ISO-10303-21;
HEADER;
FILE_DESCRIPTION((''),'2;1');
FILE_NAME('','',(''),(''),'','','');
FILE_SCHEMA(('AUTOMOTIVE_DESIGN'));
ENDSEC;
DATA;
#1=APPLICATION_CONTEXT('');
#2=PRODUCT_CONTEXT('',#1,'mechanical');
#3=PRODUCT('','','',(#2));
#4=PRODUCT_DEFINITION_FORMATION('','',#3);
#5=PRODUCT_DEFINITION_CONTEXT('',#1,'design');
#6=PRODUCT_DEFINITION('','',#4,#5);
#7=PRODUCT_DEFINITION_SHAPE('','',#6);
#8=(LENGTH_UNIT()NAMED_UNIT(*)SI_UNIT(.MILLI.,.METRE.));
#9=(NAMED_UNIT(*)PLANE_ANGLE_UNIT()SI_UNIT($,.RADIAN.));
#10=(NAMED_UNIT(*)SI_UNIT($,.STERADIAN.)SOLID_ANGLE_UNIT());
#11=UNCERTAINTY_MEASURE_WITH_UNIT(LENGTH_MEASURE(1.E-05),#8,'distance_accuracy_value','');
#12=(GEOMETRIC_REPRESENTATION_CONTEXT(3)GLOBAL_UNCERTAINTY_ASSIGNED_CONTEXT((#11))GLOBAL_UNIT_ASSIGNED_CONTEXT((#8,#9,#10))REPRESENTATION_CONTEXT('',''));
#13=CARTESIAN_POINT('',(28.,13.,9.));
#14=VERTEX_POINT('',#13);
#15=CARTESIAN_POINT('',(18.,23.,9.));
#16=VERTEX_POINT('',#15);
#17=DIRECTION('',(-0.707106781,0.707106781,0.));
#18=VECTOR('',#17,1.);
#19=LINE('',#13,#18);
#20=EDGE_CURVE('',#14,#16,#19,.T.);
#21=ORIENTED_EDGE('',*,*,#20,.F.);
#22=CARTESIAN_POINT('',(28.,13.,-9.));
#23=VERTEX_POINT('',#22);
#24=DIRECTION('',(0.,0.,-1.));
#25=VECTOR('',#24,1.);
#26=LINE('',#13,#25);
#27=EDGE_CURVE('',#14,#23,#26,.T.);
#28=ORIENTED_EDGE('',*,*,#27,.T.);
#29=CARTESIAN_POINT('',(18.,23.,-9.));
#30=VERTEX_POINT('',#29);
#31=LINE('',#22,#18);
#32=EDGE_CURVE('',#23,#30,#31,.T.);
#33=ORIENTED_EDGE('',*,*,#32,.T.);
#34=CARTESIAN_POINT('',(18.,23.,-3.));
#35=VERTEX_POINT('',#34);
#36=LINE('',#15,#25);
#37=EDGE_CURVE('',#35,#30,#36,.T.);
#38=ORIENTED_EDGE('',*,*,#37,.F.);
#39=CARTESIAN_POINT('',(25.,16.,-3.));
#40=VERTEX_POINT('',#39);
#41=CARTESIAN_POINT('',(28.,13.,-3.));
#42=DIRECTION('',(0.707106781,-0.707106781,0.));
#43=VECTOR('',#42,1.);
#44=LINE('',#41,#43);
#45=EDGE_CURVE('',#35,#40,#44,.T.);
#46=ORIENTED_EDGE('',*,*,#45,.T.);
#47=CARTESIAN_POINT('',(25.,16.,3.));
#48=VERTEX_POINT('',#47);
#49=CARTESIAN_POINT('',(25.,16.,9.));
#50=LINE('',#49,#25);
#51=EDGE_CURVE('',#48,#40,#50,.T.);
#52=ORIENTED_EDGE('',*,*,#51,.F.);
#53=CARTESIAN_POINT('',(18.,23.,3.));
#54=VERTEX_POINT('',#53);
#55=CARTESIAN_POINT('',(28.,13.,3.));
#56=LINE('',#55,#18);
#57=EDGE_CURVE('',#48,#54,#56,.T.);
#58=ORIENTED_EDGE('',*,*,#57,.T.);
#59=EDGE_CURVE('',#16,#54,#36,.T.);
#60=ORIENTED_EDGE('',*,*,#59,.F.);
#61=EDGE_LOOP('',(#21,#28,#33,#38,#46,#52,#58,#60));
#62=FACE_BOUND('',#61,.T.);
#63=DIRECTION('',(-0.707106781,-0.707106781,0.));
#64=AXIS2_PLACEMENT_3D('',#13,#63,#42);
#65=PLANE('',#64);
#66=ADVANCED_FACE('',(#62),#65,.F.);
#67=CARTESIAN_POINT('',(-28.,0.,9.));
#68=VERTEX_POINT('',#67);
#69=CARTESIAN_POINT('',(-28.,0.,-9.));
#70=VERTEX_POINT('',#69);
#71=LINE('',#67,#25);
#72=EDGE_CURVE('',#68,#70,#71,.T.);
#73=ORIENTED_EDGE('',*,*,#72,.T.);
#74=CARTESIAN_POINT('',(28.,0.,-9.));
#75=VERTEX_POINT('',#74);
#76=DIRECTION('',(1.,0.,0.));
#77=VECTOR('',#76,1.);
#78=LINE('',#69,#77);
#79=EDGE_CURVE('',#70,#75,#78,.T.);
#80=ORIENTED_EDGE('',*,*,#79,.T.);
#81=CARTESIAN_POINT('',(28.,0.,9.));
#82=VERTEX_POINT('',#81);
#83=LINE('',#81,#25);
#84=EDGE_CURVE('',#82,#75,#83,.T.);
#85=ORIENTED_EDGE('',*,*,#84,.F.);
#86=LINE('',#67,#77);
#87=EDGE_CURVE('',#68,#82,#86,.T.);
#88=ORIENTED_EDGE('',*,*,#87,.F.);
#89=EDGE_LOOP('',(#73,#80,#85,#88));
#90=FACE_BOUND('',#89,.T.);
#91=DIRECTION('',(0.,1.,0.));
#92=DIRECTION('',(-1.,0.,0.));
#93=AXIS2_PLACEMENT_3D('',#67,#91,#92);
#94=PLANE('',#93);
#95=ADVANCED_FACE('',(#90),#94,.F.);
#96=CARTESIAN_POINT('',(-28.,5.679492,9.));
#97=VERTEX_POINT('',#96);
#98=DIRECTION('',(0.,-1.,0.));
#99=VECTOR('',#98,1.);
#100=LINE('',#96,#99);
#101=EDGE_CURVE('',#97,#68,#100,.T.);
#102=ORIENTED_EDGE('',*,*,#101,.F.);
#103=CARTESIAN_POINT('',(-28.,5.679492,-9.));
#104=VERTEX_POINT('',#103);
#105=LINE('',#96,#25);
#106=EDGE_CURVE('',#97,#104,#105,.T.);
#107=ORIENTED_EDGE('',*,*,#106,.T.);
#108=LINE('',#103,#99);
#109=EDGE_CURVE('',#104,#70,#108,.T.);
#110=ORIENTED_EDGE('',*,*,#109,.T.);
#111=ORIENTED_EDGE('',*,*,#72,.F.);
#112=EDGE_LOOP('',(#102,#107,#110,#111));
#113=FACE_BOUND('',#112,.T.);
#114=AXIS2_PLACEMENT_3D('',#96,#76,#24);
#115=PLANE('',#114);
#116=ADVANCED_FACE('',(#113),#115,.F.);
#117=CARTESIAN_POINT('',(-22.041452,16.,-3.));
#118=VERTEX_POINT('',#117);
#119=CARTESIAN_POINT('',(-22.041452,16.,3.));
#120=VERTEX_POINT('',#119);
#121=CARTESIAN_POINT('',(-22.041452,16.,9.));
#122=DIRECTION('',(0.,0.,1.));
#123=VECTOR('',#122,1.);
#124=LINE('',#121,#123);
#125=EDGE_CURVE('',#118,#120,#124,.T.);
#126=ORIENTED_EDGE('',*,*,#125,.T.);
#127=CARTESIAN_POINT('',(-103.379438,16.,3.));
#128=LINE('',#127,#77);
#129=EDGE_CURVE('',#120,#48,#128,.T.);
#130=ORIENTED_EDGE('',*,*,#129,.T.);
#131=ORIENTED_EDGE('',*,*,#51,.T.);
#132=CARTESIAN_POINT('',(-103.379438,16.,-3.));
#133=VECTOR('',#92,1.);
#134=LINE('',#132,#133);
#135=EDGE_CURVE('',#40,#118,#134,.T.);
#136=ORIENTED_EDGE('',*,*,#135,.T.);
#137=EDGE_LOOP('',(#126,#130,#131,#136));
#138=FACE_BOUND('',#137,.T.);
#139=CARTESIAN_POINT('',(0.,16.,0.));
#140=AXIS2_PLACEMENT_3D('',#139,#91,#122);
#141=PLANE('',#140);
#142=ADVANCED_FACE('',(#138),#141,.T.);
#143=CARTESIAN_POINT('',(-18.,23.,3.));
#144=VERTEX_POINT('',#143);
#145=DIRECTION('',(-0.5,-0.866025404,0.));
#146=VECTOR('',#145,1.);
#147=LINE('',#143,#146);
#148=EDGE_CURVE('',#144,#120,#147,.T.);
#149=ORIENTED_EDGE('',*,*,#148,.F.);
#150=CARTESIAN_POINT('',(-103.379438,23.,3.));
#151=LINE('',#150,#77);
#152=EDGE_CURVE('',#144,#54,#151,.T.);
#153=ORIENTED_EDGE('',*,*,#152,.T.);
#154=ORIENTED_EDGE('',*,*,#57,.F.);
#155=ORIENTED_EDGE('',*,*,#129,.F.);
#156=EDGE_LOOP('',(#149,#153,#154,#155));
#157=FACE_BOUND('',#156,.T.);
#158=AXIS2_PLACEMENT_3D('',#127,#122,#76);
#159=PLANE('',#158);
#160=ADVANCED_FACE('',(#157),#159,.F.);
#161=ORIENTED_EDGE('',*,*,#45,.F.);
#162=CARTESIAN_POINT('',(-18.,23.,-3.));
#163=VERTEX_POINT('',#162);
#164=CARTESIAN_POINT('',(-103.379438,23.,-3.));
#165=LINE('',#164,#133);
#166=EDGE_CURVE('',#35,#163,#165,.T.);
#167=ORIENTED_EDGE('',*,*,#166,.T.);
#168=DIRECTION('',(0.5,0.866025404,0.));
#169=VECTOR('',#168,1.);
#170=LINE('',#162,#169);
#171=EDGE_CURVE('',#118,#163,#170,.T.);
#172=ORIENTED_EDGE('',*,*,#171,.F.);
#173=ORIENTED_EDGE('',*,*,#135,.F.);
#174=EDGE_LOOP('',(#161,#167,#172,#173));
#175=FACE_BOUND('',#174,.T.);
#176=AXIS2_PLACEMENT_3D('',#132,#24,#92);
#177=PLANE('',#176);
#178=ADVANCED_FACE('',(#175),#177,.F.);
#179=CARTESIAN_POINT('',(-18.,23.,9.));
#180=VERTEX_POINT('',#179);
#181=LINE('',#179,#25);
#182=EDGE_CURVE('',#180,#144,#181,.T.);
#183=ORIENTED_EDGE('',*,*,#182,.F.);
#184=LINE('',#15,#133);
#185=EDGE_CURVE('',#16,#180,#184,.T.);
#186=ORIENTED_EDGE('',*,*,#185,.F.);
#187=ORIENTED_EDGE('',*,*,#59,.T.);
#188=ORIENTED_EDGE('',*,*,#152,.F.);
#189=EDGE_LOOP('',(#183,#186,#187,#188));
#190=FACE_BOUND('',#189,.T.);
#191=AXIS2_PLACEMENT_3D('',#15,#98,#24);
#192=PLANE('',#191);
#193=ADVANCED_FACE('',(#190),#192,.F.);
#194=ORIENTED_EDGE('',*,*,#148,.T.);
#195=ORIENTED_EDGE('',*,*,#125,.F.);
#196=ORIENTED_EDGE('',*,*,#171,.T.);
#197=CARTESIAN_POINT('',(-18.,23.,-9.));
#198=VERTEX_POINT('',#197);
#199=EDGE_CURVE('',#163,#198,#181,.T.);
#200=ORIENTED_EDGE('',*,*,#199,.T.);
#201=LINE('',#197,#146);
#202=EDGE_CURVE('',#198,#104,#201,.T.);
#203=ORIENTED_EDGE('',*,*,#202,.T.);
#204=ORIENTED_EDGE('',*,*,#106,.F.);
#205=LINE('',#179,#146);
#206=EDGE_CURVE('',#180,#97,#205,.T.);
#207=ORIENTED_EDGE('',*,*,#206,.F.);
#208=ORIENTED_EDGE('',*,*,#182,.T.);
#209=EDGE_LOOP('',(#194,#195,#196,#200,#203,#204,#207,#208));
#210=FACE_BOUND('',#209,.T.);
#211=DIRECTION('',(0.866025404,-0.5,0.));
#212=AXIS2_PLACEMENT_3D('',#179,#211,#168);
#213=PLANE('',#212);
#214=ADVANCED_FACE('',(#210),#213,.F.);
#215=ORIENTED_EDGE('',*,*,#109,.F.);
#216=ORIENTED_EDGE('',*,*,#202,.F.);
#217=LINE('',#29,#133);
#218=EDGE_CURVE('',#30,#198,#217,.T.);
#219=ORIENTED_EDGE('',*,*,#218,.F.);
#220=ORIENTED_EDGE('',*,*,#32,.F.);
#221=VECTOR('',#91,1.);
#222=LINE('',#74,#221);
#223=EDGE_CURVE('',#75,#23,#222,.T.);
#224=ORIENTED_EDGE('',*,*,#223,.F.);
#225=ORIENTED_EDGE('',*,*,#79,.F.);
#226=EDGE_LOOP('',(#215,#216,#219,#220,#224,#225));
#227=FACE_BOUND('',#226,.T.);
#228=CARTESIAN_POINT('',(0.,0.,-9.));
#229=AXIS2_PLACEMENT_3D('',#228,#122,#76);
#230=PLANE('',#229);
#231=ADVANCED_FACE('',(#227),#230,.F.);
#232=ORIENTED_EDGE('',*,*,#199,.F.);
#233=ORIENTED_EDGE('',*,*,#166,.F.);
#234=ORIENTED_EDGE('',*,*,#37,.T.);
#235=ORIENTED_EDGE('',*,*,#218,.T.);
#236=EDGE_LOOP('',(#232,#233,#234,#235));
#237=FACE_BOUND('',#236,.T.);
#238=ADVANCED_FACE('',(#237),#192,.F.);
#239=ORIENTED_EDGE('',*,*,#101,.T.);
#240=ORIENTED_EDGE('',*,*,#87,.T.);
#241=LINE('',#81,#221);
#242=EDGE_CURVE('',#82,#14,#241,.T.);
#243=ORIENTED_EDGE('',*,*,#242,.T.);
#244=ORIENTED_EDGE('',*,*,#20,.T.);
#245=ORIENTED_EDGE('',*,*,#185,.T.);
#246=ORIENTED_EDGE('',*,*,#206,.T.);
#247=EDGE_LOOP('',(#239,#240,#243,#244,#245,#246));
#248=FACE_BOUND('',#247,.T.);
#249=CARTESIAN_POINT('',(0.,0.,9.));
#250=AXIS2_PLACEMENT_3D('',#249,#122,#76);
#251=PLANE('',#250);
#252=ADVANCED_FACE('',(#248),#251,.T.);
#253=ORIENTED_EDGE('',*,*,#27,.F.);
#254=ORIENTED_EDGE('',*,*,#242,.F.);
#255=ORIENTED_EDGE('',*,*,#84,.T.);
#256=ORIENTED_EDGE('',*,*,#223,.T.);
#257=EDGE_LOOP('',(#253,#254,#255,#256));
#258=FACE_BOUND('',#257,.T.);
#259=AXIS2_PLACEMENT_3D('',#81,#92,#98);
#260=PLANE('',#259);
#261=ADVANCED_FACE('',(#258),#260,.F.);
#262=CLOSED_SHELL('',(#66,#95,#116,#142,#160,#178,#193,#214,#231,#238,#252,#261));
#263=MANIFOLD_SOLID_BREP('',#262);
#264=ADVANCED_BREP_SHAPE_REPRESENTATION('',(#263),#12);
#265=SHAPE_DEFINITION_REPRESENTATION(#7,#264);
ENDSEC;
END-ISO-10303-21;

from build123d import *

# Parameters (mm, degrees)
BOSS_EXTRUDE1_DEPTH = 9
SKETCH2_W           = 206.758876678
SKETCH2_H           = 6
CUT_EXTRUDE1_DEPTH  = 7


with BuildPart() as part:
    # Sketch1 → Boss-Extrude1 (new, symmetric)
    with BuildSketch(Plane.XY):
        Polygon((-28, 0), (28, 0), (28, 13), (18, 23), (-18, 23), (-28, 5.679491924), align=None)
    extrude(amount=BOSS_EXTRUDE1_DEPTH, both=True)

    # Sketch2 → Cut-Extrude1 (cut)
    with BuildSketch(Plane(origin=(0, 23, 0), x_dir=(1, 0, 0), z_dir=(0, 1, 0))):
        Rectangle(SKETCH2_W, SKETCH2_H)
    extrude(amount=-CUT_EXTRUDE1_DEPTH, mode=Mode.SUBTRACT)


solid = part.part
